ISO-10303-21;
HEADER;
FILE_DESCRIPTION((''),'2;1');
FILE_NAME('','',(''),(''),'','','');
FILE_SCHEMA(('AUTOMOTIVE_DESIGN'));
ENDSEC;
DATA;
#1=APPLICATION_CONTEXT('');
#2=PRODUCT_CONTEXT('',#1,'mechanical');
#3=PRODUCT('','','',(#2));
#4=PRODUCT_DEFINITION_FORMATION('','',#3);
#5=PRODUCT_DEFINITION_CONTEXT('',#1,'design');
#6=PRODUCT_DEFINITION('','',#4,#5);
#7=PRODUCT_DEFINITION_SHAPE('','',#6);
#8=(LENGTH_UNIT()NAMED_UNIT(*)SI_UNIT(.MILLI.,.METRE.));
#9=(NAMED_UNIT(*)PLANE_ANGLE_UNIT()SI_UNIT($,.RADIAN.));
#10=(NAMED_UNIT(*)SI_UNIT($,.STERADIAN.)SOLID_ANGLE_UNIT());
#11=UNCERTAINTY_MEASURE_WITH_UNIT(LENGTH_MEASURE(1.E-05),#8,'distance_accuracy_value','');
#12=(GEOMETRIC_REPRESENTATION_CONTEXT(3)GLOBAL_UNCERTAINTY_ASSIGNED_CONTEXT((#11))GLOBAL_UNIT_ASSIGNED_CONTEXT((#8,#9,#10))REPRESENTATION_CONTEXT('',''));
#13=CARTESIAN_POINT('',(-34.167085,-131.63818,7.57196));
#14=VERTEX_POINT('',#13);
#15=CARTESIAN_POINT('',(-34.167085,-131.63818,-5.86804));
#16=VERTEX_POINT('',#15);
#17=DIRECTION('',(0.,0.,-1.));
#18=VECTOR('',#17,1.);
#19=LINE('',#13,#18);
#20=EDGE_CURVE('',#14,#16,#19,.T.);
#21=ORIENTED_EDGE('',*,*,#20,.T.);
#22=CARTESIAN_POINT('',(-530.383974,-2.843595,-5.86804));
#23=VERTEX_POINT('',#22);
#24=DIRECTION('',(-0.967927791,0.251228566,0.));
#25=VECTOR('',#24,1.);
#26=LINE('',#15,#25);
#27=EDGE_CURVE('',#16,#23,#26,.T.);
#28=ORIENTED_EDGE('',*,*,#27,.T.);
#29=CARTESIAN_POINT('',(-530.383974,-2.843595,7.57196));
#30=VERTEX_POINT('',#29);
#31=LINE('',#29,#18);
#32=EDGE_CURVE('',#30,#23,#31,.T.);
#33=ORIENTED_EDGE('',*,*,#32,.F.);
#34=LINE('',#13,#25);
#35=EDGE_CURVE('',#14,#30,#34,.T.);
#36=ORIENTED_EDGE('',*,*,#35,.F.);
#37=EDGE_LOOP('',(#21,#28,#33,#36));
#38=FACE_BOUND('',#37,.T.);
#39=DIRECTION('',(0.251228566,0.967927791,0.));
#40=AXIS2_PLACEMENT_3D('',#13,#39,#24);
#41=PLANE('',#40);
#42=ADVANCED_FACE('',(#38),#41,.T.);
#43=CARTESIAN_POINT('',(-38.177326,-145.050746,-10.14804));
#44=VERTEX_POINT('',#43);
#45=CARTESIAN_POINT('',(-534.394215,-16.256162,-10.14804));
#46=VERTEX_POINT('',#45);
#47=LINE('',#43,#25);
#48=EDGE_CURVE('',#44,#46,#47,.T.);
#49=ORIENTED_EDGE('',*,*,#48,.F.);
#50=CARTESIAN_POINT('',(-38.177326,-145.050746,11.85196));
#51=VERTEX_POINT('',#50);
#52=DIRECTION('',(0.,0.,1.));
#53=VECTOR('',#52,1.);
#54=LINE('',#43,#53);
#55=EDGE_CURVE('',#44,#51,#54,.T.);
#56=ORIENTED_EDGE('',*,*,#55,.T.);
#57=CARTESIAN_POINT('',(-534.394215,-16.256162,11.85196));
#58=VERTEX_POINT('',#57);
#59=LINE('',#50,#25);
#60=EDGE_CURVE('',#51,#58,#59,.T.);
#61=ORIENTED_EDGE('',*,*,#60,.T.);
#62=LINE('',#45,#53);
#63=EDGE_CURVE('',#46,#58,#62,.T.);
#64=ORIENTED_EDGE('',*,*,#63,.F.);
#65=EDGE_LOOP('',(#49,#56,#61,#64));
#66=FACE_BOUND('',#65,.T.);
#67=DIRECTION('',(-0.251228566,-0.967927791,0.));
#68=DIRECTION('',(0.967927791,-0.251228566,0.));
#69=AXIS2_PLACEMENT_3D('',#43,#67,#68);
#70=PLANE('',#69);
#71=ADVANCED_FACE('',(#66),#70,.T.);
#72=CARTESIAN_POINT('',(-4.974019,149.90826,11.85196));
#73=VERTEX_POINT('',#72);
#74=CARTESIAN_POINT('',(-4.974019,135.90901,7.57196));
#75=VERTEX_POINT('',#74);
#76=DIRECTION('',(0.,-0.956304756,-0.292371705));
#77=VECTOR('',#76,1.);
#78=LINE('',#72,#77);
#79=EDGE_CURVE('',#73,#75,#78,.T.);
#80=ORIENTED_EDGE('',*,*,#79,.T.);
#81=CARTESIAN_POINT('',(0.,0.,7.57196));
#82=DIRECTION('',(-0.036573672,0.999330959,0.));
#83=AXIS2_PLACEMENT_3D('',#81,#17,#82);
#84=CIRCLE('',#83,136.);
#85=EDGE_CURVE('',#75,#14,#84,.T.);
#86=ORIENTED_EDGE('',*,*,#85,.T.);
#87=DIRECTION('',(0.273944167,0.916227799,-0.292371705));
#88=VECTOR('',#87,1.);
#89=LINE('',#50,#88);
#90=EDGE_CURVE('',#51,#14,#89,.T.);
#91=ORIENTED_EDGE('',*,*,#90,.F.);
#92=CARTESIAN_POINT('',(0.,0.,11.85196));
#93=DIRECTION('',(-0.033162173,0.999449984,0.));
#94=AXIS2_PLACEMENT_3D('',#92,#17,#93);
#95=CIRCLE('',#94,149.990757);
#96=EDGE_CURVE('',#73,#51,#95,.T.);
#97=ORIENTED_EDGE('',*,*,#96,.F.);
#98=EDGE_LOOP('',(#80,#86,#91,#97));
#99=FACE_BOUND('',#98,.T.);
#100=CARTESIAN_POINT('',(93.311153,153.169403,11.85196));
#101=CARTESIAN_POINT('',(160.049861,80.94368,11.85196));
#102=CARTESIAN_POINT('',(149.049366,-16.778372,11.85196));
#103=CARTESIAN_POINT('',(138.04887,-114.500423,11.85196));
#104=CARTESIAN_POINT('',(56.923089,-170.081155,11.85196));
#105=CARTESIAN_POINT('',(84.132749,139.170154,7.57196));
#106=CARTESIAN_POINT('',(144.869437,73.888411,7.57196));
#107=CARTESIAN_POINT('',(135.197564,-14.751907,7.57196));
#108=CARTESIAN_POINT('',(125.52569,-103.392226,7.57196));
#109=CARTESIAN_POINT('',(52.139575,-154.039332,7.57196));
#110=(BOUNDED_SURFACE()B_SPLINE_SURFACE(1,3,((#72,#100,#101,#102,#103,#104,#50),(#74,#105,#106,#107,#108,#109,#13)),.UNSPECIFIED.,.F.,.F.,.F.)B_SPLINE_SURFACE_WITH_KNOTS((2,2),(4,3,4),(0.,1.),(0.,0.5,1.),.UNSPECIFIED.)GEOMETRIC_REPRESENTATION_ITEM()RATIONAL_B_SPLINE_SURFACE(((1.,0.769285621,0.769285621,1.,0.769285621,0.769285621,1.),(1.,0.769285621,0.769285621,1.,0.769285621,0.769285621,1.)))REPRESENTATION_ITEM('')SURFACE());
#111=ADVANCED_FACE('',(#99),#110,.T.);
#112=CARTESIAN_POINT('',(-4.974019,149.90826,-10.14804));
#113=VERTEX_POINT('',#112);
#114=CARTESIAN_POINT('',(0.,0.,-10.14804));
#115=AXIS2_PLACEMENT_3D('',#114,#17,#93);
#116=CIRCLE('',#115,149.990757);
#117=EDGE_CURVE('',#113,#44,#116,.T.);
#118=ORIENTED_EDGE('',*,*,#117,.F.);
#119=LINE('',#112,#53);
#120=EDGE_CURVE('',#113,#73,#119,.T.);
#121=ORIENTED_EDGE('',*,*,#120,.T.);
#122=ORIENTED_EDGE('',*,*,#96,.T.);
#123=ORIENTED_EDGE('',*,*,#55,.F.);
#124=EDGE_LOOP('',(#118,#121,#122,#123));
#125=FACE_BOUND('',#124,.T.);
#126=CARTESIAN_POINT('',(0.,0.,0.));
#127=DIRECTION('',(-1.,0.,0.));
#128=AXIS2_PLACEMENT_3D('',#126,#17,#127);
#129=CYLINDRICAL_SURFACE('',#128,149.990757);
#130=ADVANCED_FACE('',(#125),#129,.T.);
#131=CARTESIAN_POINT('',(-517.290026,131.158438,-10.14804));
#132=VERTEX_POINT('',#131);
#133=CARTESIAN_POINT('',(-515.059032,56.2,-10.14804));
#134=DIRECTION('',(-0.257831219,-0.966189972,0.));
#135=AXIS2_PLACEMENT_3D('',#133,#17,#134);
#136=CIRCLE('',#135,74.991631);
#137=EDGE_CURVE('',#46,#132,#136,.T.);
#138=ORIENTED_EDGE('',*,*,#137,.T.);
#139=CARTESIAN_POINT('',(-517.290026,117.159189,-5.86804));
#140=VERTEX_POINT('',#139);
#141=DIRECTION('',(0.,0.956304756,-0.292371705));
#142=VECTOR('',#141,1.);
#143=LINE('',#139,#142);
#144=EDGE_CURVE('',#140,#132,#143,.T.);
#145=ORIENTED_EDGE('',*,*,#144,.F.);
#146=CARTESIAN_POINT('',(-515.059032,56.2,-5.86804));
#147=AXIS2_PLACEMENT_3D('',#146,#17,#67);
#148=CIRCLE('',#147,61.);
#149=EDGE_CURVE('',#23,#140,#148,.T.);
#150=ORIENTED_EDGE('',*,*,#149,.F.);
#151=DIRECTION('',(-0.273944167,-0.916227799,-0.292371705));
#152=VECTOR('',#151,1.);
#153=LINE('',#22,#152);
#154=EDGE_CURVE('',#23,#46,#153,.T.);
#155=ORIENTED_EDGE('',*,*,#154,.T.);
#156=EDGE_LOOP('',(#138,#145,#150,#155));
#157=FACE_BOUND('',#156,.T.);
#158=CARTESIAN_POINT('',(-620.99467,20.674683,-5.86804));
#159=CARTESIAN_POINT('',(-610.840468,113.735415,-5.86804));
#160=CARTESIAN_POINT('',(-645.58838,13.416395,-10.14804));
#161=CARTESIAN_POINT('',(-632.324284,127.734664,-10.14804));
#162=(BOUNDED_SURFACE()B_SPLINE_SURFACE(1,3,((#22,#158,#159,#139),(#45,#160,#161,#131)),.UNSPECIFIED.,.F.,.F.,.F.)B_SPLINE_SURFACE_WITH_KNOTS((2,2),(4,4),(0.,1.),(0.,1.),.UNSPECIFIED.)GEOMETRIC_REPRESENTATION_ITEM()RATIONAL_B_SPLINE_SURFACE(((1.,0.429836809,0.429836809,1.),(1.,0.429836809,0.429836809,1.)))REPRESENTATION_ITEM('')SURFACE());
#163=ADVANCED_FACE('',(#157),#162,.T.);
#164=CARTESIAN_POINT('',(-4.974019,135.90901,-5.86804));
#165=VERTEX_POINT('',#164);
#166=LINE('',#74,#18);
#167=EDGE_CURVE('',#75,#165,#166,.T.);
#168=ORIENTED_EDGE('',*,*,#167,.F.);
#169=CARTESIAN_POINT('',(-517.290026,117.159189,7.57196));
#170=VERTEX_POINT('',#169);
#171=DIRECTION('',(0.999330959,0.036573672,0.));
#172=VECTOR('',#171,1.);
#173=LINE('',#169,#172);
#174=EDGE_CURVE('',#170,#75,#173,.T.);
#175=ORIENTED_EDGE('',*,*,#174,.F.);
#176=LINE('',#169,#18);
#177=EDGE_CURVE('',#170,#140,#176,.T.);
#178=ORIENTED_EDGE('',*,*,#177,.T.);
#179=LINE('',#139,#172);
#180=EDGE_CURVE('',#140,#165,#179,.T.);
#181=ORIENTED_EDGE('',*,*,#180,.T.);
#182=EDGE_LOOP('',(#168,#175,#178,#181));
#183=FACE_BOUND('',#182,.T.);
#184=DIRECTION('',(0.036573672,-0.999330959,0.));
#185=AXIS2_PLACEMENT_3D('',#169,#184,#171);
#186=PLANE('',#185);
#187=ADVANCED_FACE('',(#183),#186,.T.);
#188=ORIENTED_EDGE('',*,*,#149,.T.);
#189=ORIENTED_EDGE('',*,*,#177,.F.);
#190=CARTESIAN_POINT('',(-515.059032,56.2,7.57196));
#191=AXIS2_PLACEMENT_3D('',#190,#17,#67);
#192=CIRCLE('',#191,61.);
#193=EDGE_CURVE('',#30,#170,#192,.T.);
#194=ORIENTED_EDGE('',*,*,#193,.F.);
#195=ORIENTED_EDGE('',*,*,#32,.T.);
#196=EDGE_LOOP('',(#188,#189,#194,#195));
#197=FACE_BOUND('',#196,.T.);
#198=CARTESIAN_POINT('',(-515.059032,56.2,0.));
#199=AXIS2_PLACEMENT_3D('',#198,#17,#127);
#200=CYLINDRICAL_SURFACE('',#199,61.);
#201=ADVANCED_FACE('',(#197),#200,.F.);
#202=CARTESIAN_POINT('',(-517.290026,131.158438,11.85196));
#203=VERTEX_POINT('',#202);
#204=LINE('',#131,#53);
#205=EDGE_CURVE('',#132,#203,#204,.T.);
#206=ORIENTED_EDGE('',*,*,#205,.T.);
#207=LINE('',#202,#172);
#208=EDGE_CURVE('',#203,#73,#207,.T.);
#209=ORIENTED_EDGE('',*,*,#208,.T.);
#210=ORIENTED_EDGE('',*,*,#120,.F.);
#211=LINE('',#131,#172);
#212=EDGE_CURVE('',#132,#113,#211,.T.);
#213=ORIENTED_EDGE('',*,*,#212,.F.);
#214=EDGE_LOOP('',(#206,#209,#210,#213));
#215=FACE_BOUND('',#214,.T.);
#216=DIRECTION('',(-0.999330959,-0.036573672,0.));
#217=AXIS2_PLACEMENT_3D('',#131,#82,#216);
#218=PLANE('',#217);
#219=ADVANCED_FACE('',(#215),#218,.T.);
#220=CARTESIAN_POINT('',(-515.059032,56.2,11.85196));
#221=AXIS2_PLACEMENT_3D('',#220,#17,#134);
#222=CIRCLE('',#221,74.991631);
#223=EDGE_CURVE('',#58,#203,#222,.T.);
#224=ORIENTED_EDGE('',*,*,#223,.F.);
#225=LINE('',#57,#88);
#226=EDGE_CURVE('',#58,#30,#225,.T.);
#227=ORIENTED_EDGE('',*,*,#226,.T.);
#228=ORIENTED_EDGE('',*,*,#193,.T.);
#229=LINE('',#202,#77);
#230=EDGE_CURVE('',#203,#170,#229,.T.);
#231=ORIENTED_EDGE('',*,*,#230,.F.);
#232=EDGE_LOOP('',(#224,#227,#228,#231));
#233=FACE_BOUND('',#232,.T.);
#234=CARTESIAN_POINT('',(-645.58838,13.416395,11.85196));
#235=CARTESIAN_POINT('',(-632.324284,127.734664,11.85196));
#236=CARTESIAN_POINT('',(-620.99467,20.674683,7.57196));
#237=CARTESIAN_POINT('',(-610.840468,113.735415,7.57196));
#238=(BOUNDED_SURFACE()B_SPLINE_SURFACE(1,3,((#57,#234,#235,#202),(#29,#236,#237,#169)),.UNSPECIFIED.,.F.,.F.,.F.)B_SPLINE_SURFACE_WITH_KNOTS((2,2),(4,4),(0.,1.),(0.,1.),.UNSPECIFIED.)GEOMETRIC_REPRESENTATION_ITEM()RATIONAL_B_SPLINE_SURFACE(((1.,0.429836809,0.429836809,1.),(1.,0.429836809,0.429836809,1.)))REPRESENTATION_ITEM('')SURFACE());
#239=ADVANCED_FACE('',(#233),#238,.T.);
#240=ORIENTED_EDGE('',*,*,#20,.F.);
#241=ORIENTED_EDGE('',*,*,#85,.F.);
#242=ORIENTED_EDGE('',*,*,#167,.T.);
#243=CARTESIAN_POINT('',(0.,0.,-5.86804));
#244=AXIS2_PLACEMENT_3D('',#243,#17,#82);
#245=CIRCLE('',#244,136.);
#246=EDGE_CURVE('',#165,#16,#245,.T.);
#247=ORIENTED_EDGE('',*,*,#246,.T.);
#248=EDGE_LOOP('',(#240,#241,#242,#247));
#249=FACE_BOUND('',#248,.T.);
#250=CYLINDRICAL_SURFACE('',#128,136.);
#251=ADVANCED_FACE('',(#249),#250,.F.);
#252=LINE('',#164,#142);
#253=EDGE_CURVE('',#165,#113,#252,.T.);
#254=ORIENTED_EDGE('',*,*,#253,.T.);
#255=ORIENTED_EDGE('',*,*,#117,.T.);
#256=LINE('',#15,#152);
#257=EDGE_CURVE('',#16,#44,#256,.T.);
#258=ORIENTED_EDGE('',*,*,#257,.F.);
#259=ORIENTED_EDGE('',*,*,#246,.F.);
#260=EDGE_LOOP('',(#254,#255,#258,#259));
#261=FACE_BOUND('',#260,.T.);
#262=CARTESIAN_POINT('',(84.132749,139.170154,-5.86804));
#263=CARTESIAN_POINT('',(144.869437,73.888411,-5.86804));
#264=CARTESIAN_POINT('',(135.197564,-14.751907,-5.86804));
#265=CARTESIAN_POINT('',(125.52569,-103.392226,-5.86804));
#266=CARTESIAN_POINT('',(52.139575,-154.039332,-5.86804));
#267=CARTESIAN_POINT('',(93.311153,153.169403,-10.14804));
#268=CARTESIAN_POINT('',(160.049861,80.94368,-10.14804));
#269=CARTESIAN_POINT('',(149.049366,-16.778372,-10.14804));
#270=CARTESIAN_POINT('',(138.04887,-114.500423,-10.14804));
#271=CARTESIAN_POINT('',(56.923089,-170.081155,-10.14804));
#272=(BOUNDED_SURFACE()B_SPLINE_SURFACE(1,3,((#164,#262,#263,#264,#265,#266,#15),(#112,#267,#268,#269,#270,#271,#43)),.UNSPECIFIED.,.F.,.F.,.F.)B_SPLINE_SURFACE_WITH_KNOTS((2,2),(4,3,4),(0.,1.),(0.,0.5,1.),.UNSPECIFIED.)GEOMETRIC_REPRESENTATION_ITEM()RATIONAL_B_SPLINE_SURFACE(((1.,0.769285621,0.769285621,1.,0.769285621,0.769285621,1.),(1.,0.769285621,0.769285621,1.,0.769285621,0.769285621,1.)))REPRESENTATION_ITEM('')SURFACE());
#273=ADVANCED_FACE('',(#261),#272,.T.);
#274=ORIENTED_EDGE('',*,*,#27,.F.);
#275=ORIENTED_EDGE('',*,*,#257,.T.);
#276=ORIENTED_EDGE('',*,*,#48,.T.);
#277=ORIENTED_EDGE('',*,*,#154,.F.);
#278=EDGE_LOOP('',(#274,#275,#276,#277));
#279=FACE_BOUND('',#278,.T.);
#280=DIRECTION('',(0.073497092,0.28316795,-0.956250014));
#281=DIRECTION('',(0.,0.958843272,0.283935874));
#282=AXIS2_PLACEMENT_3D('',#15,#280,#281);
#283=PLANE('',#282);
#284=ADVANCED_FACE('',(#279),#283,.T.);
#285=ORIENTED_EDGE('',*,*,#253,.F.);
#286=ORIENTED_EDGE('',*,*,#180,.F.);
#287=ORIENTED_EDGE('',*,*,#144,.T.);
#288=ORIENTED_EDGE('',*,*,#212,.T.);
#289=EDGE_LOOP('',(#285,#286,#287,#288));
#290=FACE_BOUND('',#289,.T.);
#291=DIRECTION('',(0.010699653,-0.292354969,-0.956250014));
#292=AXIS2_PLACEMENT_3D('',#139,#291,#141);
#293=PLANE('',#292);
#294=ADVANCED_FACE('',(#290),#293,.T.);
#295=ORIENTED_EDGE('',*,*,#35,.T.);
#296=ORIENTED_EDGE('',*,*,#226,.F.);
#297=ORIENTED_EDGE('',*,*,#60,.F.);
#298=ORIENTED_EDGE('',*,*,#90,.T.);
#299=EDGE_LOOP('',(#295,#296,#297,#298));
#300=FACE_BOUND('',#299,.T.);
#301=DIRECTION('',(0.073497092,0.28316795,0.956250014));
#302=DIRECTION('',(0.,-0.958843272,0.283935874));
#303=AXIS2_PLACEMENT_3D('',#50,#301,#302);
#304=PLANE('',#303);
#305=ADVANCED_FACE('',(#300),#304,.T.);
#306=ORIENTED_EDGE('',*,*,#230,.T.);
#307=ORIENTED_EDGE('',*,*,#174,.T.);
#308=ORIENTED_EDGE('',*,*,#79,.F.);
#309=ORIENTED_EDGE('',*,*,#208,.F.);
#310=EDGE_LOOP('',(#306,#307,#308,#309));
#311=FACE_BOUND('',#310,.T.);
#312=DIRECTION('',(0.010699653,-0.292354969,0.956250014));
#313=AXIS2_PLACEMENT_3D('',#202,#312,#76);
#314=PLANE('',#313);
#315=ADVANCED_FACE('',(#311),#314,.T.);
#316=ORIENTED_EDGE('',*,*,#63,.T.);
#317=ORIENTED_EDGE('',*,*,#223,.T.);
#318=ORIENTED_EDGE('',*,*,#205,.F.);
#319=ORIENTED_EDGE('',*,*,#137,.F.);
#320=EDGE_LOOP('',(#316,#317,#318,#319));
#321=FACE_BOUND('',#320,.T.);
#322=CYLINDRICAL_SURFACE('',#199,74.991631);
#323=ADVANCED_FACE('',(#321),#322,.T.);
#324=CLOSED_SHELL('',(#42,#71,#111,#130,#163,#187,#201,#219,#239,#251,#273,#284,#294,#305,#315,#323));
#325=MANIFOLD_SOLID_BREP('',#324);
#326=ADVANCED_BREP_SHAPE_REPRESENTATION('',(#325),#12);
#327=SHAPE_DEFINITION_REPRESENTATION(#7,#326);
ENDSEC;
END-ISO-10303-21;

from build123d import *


with BuildPart() as part:
    # Sweep1: sweep along a path in Sketch2
    with BuildLine(Plane.XY) as sweep1_path:
        Line((-34.167084958, -131.638179513), (-530.383974062, -2.84359522))
        ThreePointArc((-530.383974062, -2.84359522), (-575.699115264, 62.816664301), (-517.290025535, 117.159188529))
        Line((-517.290025535, 117.159188529), (-4.974019391, 135.909010485))
        ThreePointArc((-4.974019391, 135.909010485), (135.197563704, -14.751907287), (-34.167084958, -131.638179513))
    # Sketch3 → Sweep1 (sweep)
    with BuildSketch(Plane(origin=(-4.974019391, 0, 0), x_dir=(0, 0, -1), z_dir=(1, 0, 0))):
        Polygon((-7.571960098, 135.909010485), (5.868039902, 135.909010485), (10.148039902, 149.908259692), (-11.851960098, 149.908259692), align=None)
    sweep(path=sweep1_path.line)


solid = part.part
